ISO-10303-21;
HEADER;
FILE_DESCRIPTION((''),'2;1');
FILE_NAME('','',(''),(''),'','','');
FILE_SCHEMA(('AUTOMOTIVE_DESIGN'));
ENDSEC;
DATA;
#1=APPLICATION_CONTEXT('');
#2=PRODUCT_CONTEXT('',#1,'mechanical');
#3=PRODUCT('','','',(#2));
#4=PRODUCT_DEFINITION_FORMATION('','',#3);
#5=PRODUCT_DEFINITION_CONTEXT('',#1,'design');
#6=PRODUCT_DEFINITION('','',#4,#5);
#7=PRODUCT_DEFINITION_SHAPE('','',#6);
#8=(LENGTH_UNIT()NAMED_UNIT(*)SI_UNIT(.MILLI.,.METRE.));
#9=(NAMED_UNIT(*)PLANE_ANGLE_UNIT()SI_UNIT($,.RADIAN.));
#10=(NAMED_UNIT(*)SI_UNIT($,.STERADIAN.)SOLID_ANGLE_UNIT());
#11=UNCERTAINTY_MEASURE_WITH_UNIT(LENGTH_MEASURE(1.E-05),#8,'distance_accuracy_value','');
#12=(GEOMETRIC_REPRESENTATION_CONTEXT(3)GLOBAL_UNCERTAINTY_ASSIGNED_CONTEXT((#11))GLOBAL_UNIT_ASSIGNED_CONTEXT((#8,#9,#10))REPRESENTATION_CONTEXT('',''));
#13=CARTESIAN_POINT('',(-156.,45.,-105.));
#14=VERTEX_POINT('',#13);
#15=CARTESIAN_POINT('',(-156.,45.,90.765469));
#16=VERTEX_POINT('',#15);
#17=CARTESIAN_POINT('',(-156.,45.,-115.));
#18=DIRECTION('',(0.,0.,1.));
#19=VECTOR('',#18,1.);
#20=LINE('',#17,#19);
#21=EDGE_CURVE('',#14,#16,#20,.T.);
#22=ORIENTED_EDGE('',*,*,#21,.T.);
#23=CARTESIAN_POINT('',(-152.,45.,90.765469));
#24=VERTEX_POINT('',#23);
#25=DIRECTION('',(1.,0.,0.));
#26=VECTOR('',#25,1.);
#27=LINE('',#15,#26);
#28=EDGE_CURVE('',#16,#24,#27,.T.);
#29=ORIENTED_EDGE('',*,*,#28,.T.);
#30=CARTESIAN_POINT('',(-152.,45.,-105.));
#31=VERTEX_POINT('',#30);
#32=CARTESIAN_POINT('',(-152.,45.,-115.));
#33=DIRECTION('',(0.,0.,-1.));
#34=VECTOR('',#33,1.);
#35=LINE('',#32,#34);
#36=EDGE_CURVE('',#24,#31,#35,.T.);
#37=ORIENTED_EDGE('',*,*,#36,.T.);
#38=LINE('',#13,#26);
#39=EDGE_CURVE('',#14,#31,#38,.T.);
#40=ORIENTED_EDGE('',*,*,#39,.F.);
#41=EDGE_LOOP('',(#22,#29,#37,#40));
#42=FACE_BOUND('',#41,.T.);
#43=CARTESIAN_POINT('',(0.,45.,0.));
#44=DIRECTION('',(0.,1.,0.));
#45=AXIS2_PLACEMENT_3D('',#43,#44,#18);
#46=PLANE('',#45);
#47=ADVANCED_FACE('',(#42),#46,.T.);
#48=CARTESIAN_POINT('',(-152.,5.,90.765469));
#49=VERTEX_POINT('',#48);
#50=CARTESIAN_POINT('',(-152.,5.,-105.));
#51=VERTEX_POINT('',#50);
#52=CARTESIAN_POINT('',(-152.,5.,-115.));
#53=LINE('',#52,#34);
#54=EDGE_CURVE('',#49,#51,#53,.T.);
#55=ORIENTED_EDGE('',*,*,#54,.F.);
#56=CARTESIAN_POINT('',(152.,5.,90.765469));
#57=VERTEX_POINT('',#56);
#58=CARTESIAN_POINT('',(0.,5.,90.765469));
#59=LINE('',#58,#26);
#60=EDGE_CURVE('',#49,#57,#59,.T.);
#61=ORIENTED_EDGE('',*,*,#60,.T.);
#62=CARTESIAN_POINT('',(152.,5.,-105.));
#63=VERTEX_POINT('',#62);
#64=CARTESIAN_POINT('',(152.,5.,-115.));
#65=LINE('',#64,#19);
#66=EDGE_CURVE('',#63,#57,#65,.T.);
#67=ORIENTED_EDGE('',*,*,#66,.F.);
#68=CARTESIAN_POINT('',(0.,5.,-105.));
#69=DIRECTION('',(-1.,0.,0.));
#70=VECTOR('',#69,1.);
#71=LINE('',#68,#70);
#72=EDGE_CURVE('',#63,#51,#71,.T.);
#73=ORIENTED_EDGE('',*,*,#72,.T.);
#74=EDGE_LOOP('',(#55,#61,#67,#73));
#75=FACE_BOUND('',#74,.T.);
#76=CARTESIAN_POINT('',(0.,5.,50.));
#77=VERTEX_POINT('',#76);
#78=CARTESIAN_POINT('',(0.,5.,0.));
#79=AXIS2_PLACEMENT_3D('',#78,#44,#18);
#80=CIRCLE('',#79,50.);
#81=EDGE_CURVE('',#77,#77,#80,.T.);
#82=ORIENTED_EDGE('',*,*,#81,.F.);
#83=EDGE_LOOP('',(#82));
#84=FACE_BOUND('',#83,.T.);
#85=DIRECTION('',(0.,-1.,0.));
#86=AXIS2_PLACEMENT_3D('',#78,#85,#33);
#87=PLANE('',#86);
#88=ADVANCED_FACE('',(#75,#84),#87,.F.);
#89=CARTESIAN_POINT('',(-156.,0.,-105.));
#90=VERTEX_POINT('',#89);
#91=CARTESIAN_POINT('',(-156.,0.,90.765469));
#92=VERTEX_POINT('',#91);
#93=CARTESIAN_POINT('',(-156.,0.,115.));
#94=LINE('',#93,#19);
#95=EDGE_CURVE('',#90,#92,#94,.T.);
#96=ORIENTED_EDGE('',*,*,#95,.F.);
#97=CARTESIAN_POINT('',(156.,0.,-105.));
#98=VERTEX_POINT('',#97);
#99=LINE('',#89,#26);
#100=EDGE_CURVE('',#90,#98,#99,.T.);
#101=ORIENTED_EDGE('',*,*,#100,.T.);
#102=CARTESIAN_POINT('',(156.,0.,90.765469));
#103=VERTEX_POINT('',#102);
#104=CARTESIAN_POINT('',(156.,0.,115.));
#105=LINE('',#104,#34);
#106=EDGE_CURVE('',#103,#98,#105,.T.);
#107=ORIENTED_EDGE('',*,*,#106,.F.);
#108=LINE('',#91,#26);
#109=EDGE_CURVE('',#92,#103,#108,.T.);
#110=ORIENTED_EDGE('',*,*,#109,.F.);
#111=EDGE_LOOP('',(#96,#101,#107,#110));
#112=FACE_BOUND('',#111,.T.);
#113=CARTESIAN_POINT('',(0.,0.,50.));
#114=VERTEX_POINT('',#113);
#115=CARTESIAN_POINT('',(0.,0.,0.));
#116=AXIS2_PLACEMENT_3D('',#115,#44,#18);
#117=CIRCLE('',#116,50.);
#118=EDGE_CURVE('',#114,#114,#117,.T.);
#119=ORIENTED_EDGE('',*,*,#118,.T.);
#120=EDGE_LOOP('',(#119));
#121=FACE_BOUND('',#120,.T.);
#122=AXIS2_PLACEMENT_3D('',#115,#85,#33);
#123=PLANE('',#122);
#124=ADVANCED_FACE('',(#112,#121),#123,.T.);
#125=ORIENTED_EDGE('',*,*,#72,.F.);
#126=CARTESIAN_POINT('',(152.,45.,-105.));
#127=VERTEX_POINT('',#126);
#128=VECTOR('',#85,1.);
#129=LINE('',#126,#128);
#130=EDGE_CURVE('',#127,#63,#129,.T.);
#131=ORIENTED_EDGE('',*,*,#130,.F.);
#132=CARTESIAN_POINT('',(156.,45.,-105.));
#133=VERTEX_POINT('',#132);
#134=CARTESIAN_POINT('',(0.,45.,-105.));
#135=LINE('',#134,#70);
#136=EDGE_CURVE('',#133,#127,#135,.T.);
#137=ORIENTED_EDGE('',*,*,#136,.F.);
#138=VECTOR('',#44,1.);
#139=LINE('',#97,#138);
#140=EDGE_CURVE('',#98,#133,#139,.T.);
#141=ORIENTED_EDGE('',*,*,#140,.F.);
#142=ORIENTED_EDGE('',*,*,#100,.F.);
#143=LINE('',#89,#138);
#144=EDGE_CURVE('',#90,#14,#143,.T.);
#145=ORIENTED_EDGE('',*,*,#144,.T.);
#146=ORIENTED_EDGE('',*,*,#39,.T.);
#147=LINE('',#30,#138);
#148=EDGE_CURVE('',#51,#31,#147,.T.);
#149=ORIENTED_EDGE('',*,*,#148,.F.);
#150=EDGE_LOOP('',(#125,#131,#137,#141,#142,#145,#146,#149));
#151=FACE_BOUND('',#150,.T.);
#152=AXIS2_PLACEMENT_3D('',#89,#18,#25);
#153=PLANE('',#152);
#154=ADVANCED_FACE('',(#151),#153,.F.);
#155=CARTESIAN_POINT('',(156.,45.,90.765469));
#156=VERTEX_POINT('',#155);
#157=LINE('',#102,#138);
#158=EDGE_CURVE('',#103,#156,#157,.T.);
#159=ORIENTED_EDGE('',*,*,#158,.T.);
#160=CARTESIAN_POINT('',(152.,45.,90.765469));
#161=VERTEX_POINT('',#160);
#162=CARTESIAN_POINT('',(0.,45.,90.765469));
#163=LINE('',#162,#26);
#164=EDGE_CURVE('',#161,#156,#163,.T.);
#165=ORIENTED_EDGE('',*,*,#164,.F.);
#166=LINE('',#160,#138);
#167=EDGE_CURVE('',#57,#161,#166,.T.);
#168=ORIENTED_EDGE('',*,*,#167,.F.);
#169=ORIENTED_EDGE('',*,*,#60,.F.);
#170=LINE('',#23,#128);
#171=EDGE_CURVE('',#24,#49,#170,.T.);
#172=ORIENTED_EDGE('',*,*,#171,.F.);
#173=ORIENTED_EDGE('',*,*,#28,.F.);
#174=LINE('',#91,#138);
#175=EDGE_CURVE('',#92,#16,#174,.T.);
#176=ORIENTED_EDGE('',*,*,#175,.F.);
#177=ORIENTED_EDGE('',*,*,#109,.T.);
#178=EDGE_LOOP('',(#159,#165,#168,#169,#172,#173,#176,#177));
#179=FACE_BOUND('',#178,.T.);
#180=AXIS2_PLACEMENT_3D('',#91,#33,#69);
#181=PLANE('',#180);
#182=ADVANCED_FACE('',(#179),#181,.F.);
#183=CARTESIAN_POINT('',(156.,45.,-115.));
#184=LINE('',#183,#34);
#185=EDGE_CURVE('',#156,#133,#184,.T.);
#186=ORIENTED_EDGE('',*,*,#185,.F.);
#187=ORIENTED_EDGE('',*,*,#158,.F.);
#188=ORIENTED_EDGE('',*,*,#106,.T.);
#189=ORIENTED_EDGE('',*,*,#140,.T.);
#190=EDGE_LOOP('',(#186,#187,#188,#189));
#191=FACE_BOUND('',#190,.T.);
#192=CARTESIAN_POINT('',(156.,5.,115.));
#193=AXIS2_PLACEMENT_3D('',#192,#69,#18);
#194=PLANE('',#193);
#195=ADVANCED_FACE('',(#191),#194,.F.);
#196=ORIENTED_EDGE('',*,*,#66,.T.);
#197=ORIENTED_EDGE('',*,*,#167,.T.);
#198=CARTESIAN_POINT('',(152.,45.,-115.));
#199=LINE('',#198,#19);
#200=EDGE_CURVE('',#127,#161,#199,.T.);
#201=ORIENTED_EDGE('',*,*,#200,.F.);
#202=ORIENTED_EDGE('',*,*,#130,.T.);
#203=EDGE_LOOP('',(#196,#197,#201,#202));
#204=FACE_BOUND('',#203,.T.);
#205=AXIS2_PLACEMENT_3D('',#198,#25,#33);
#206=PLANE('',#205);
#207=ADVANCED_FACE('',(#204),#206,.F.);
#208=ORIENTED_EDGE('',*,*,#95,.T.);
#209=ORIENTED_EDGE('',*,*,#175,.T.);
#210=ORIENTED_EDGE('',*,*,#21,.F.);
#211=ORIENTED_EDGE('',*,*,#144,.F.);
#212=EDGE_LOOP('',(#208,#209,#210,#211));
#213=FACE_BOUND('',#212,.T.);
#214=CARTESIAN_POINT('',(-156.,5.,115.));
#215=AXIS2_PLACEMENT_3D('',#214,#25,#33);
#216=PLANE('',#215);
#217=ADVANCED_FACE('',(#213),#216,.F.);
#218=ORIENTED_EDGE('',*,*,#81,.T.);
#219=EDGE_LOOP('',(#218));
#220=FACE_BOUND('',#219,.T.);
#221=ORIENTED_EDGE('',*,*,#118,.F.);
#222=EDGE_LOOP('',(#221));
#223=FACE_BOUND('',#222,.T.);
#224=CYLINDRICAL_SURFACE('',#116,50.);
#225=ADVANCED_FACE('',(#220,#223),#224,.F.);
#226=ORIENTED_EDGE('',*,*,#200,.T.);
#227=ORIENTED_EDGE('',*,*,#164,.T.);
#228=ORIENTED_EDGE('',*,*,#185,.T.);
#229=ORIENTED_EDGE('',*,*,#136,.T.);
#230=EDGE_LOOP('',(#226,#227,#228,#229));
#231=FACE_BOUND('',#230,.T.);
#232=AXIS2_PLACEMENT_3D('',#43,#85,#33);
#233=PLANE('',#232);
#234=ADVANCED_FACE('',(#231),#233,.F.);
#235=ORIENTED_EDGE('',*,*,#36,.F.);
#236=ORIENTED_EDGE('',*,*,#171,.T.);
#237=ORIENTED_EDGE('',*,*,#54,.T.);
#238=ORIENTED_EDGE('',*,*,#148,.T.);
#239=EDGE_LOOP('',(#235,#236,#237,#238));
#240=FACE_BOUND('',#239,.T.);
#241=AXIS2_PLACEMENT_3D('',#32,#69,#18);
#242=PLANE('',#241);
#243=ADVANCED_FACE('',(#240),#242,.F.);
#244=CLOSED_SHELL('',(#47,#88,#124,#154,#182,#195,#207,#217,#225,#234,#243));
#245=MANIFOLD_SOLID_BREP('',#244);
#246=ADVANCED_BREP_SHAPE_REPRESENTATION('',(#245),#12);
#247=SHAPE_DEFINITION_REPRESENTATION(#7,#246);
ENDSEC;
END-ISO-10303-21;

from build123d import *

# Parameters (mm, degrees)
SKETCH1_W               = 312
SKETCH1_H               = 230
BOSS_EXTRUDE1_DEPTH     = 5
SKETCH2_W               = 4
SKETCH2_H               = 230
BOSS_EXTRUDE2_DEPTH     = 40
SKETCH3_R               = 50
CUT_EXTRUDE1_DEPTH      = 198.89138435
CUT_EXTRUDE2_DEPTH      = 198.89138435
CUT_EXTRUDE2_DEPTH_BACK = 198.89138435
SKETCH4_W               = 312
SKETCH4_H               = 10
SKETCH5_W               = 24.234530733
SKETCH5_H               = 45
CUT_EXTRUDE3_DEPTH      = 336.550294293


with BuildPart() as part:
    # Sketch1 → Boss-Extrude1 (new body)
    with BuildSketch(Plane(origin=(0, 0, 0), x_dir=(1, 0, 0), z_dir=(0, 1, 0))):
        Rectangle(SKETCH1_W, SKETCH1_H)
    extrude(amount=BOSS_EXTRUDE1_DEPTH)

    # Sketch2 → Boss-Extrude2 (add)
    with BuildSketch(Plane(origin=(0, 5, 0), x_dir=(1, 0, 0), z_dir=(0, 1, 0))):
        with Locations((-154, 0)):
            Rectangle(SKETCH2_W, SKETCH2_H)
        with Locations((154, 0)):
            Rectangle(SKETCH2_W, SKETCH2_H)
    extrude(amount=BOSS_EXTRUDE2_DEPTH)

    # Sketch3 → Cut-Extrude1 (cut, through all)
    with BuildSketch(Plane(origin=(0, 5, 0), x_dir=(1, 0, 0), z_dir=(0, 1, 0))):
        with Locations(Location((0, 0, 0), (0, 0, 270))):
            Circle(SKETCH3_R)
    extrude(amount=-CUT_EXTRUDE1_DEPTH, mode=Mode.SUBTRACT)

    # Sketch4 → Cut-Extrude2 (cut, two sides: drawn at the far end of the back side and taken through both)
    with BuildSketch(Plane(origin=(0, 5, 0), x_dir=(1, 0, 0), z_dir=(0, 1, 0)).offset(-CUT_EXTRUDE2_DEPTH_BACK)):
        with Locations((0, 110)):
            Rectangle(SKETCH4_W, SKETCH4_H)
    extrude(amount=CUT_EXTRUDE2_DEPTH + CUT_EXTRUDE2_DEPTH_BACK, mode=Mode.SUBTRACT)

    # Sketch5 → Cut-Extrude3 (cut, through all)
    with BuildSketch(Plane(origin=(156, 0, 0), x_dir=(0, 0, -1), z_dir=(1, 0, 0))):
        with Locations((-102.882734634, 22.5)):
            Rectangle(SKETCH5_W, SKETCH5_H)
    extrude(amount=-CUT_EXTRUDE3_DEPTH, mode=Mode.SUBTRACT)


solid = part.part
